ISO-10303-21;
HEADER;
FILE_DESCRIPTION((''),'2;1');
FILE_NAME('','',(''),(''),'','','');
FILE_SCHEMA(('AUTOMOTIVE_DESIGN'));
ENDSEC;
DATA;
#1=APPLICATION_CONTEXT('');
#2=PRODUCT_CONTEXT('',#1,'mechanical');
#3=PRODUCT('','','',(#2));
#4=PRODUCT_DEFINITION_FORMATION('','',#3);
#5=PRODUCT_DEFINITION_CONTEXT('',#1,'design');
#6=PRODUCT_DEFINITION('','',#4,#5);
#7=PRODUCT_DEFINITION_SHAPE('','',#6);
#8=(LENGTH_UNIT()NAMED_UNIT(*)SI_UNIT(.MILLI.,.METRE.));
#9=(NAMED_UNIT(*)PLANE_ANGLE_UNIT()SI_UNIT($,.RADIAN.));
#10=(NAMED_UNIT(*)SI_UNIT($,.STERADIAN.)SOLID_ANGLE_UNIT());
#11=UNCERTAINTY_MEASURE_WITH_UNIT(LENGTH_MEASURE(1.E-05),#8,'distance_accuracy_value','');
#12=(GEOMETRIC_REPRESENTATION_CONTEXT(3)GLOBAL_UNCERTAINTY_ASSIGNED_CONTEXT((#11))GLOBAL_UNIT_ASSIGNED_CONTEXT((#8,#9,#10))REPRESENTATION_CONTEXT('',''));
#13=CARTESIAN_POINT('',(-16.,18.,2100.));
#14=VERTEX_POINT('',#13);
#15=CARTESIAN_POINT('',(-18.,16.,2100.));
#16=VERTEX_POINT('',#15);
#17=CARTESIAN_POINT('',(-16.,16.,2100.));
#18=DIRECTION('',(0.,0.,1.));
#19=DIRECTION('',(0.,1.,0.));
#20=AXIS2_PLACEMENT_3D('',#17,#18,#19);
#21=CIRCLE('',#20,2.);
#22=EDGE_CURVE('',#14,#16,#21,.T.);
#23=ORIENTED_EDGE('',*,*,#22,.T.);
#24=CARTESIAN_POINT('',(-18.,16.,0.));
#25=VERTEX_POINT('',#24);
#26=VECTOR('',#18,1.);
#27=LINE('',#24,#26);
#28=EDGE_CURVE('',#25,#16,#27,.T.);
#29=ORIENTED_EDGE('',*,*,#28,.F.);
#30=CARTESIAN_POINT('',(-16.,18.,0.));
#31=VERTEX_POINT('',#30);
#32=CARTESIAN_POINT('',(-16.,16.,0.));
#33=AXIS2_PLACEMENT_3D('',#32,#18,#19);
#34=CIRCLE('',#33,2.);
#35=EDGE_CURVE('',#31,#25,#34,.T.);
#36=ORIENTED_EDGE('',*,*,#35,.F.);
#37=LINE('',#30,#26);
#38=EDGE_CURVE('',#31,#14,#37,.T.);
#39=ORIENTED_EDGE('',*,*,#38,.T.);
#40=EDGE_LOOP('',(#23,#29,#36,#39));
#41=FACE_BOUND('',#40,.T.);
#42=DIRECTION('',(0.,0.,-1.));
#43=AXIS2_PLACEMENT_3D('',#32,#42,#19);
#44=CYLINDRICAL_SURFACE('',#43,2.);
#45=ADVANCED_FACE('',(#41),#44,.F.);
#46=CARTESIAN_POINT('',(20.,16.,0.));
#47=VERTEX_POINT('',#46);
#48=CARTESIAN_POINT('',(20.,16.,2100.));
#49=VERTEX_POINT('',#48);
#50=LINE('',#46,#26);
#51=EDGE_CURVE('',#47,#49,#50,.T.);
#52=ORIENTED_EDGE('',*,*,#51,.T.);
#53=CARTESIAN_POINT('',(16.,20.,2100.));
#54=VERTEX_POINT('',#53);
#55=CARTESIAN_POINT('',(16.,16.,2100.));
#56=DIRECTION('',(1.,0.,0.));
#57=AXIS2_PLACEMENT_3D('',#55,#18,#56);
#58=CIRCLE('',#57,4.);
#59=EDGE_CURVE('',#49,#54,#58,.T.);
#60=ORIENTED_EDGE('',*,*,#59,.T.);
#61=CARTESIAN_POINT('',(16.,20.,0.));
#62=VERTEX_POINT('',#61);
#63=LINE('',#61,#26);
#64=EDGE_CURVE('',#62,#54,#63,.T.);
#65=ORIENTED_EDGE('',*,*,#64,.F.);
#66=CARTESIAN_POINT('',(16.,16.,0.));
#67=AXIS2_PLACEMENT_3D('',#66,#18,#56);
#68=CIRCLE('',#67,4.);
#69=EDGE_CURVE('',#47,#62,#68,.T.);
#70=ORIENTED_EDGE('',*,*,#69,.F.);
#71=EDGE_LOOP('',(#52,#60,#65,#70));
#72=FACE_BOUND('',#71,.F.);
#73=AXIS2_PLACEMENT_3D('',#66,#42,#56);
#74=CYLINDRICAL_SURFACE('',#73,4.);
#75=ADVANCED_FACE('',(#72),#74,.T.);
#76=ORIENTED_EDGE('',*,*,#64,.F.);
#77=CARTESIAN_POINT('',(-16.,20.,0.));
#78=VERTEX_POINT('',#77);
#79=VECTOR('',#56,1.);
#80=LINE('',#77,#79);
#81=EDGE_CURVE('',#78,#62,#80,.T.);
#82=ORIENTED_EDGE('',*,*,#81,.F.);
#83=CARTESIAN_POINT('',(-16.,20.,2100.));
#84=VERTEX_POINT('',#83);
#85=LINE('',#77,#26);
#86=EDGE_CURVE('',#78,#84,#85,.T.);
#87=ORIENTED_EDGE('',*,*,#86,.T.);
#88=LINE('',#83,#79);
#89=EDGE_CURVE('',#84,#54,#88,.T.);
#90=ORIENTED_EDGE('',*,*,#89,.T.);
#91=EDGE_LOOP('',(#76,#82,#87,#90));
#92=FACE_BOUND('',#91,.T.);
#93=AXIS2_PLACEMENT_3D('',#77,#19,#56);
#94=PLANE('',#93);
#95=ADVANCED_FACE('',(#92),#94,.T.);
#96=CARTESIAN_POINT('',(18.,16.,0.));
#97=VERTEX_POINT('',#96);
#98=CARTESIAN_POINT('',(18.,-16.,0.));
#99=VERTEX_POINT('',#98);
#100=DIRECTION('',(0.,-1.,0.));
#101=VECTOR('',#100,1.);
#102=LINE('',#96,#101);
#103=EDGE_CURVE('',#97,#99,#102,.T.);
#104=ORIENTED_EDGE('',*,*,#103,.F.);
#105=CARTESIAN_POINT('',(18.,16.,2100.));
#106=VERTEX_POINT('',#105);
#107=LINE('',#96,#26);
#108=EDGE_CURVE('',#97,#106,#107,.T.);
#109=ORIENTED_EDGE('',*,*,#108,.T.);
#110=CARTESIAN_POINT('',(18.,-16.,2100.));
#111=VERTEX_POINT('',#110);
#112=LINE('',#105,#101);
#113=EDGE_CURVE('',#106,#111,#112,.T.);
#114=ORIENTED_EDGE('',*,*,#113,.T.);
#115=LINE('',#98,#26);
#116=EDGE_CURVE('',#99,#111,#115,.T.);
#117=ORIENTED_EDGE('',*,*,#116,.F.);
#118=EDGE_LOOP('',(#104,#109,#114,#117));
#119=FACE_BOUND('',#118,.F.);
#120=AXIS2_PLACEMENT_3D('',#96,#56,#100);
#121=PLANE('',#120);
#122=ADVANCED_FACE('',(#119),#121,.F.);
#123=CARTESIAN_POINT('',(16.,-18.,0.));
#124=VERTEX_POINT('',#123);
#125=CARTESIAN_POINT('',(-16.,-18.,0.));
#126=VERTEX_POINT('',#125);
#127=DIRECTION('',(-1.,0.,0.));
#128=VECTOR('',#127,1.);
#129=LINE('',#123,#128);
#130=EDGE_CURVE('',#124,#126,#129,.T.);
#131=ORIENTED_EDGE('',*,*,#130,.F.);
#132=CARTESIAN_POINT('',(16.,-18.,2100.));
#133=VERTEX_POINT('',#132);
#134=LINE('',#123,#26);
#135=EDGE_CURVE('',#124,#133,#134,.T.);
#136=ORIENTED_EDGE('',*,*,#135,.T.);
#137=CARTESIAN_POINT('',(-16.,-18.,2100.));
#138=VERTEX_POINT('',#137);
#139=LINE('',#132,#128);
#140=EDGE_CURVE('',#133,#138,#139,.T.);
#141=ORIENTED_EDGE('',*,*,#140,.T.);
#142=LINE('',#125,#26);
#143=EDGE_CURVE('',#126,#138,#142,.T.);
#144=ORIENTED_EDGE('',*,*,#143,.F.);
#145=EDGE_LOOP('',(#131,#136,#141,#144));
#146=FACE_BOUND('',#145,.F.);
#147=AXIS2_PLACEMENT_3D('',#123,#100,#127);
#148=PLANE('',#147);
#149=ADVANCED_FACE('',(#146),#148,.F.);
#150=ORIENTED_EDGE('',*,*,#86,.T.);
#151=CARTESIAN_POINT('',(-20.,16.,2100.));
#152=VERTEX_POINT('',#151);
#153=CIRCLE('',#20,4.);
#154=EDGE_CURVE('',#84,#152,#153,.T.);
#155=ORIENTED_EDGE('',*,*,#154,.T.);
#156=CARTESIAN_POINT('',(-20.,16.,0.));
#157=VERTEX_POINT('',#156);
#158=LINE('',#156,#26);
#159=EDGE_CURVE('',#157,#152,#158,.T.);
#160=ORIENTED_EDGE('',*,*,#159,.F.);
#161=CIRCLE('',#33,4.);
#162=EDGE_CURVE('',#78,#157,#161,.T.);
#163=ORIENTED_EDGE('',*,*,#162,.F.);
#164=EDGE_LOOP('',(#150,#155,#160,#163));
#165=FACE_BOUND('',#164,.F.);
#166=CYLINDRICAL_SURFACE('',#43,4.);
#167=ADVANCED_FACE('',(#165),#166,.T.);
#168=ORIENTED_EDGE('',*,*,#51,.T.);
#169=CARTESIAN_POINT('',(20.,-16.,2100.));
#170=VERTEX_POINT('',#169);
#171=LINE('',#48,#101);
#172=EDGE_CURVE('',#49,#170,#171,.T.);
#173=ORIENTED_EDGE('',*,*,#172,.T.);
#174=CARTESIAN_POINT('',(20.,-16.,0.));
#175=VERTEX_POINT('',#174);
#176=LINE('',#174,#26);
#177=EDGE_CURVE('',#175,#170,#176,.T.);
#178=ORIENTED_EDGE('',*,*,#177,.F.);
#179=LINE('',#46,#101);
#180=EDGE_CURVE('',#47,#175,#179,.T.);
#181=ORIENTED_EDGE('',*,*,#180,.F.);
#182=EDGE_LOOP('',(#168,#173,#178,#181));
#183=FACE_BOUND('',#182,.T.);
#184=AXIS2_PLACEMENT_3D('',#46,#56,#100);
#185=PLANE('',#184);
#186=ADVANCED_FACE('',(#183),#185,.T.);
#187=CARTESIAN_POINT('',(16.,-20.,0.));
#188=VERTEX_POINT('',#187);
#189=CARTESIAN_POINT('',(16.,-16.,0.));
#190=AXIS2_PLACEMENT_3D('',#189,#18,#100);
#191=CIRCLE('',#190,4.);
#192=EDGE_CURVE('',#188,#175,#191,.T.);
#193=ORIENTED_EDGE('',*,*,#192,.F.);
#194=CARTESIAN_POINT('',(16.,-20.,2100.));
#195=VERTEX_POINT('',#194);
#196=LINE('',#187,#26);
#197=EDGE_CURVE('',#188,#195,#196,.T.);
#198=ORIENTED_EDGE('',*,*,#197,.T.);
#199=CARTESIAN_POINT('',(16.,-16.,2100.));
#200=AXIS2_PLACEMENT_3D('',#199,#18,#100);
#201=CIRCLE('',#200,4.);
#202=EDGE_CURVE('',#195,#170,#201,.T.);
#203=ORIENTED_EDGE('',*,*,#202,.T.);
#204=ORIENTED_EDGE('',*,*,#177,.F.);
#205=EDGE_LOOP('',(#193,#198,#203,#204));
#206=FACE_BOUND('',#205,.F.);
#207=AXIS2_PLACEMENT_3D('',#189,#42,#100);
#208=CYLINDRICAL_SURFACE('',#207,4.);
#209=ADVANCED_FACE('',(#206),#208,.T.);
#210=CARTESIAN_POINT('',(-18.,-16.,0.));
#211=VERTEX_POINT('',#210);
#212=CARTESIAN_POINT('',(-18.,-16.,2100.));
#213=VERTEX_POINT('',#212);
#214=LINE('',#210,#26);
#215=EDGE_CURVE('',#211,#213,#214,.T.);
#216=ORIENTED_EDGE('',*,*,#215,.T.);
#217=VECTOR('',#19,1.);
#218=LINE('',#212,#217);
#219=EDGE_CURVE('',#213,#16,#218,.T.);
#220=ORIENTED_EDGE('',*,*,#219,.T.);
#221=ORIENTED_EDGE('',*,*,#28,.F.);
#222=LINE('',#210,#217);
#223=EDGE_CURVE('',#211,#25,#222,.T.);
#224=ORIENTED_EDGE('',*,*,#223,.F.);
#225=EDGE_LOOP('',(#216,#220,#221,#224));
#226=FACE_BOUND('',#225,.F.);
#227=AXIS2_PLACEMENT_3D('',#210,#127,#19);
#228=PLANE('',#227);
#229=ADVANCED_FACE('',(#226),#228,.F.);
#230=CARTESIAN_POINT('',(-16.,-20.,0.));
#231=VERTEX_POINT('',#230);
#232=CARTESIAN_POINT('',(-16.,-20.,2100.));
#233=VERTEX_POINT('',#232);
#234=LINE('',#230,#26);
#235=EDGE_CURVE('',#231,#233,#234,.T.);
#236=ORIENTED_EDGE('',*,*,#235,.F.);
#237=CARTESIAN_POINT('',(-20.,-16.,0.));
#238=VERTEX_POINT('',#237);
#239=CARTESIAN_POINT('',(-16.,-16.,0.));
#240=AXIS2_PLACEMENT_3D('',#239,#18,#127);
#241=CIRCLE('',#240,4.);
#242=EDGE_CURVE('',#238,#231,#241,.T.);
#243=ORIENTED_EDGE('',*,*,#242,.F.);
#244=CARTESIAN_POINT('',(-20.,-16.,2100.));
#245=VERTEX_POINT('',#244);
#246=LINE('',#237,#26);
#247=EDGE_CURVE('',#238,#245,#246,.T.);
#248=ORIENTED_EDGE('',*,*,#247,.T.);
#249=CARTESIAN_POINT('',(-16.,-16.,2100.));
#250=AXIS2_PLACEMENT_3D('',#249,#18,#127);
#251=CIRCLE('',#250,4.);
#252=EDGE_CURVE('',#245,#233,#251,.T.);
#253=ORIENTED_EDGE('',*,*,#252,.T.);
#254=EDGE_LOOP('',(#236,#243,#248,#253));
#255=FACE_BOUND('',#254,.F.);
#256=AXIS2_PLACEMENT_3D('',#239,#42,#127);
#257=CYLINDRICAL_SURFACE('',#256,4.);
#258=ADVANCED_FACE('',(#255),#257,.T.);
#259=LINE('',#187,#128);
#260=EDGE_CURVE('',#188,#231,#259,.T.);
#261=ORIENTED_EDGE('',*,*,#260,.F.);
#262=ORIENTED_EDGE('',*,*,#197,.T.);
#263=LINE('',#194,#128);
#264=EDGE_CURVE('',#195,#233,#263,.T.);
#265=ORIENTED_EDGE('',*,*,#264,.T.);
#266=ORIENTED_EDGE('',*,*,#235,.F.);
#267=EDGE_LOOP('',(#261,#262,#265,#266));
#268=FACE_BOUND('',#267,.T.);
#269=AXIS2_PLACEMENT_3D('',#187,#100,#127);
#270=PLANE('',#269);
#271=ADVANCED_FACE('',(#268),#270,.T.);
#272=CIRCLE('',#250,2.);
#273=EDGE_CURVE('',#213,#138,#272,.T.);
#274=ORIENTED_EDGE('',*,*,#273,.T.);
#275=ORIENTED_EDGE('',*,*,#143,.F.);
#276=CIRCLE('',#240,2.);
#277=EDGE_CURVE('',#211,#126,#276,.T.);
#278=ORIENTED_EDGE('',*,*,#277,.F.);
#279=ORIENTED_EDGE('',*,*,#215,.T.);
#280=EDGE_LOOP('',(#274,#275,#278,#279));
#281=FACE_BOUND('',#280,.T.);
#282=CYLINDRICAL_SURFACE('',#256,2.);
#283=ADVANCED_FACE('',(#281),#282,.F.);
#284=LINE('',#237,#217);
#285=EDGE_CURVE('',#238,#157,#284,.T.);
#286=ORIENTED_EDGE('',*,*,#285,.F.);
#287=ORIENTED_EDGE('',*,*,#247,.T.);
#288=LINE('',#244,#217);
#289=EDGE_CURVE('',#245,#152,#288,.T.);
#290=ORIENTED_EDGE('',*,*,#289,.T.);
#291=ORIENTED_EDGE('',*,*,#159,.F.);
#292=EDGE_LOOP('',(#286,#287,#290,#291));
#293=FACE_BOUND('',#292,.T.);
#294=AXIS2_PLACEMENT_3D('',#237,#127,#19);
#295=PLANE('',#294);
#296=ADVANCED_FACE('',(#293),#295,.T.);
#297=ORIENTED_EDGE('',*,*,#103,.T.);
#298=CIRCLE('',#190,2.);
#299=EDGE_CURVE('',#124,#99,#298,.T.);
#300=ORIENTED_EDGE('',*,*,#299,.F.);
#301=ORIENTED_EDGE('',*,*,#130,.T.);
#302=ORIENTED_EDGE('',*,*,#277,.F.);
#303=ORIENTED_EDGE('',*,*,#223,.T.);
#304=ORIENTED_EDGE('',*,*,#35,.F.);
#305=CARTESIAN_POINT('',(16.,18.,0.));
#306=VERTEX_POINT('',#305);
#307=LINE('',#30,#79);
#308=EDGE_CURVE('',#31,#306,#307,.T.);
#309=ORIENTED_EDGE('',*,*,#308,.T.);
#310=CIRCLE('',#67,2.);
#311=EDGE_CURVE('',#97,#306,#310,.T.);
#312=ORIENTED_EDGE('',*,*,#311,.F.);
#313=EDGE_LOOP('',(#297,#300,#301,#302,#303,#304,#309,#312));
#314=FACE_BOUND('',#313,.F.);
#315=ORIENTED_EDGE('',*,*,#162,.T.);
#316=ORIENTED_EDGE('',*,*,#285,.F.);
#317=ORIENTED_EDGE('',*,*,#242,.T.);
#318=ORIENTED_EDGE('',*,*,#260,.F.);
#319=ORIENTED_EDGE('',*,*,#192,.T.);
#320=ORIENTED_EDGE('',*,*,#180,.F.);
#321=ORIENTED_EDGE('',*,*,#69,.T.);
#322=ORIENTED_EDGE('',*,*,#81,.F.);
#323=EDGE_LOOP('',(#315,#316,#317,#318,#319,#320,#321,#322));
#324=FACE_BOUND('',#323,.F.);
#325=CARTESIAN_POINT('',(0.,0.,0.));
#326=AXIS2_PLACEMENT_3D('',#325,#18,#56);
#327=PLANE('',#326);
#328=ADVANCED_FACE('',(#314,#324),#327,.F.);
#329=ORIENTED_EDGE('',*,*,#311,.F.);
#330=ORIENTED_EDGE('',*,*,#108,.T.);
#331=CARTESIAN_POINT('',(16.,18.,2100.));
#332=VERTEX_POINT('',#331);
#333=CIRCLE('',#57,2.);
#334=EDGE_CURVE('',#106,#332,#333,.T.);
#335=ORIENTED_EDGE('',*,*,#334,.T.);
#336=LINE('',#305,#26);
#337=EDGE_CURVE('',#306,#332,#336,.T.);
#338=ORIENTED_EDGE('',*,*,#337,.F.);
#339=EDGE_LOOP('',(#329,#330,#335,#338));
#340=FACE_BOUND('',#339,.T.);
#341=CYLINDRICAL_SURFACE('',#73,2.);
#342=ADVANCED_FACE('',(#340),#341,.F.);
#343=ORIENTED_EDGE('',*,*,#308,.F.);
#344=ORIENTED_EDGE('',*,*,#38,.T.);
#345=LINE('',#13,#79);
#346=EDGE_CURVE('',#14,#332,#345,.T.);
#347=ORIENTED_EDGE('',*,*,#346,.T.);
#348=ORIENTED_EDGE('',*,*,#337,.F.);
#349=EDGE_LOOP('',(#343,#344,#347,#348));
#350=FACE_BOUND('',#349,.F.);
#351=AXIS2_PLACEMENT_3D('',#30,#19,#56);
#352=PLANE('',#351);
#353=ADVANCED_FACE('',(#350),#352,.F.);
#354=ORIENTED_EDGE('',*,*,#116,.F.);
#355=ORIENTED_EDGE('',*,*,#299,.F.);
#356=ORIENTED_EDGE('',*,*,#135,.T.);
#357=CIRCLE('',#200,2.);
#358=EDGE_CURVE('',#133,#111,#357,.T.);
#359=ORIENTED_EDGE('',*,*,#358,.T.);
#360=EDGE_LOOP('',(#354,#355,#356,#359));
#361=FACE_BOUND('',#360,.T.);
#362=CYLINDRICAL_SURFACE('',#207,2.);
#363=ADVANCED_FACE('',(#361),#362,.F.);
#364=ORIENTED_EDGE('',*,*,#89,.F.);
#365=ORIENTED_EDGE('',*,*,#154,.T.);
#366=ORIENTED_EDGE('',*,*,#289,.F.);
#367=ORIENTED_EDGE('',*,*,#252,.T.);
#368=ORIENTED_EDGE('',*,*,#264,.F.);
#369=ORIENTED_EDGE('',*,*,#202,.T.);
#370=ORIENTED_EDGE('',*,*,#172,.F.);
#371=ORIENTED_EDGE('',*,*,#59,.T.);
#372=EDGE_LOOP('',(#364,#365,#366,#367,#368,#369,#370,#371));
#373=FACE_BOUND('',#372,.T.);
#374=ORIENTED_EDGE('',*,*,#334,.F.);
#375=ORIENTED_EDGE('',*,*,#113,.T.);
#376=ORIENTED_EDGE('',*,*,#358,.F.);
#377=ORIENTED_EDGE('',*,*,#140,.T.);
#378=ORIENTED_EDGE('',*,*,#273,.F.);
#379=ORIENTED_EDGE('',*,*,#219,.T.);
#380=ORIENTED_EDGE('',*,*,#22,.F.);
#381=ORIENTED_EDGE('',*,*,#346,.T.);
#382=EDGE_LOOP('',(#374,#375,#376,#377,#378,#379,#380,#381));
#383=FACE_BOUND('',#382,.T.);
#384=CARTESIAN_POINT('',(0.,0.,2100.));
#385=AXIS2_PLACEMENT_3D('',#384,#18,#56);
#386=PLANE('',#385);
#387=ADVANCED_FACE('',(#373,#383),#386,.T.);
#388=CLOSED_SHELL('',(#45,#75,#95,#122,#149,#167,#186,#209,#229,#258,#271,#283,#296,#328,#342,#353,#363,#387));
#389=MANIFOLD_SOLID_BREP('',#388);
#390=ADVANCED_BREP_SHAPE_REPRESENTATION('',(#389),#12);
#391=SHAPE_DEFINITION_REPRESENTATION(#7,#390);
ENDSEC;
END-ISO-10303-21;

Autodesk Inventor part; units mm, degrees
ref_plane "YZ Plane" through (0, 0, 0) normal (1, 0, 0) x (0, 1, 0)
ref_plane "Start Plane" through (0, 0, 0) normal (0, 0, 1) x (1, 0, 0)
ref_plane "End Plane" through (0, 0, 2100) normal (0, 0, 1) x (1, 0, 0)
sketch "Sketch" plane through (0, 0, 0) normal (0, 0, 1) x (1, 0, 0)
  line L0 (-20, -16) -> (-20, 16)
  line L1 (-16, 20) -> (16, 20)
  line L2 (20, 16) -> (20, -16)
  line L3 (16, -20) -> (-16, -20)
  arc A0 (-20, -16) -> (-16, -20) centre (-16, -16) ccw
  arc A1 (20, 16) -> (16, 20) centre (16, 16) ccw
  arc A2 (-16, 20) -> (-20, 16) centre (-16, 16) ccw
  arc A3 (16, -20) -> (20, -16) centre (16, -16) ccw
  arc A4 (-16, 18) -> (-18, 16) centre (-16, 16) ccw
  line L4 (-16, 18) -> (16, 18)
  arc A5 (18, 16) -> (16, 18) centre (16, 16) ccw
  line L5 (18, 16) -> (18, -16)
  arc A6 (16, -18) -> (18, -16) centre (16, -16) ccw
  line L6 (16, -18) -> (-16, -18)
  arc A7 (-18, -16) -> (-16, -18) centre (-16, -16) ccw
  line L7 (-18, -16) -> (-18, 16)
  line L8 (0, 29.1598) -> (0, -29.1598) construction
  line L9 (-29.1598, 0) -> (29.1598, 0) construction
  dimension "d7" = 4
  dimension "d9" = 40
  dimension "d11" = 40
  dimension "d12" = 2
  dimension "d15" = 20
  dimension "d16" = 20
extrude "Body" add sketch "Sketch" along normal up to surface (2100 mm away) from surface at 0
sketch "Sketch3" plane through (0, 0, 0) normal (0, 0, 1) x (1, 0, 0)
  line L0 (0, 0) -> (10, 0)
ref_plane "Work Plane3" through (0, 0, 0) normal (0, -1, 0) x (1, 0, 0)
sketch "Sketch4" plane through (0, 0, 0) normal (0, -1, 0) x (1, 0, 0)
  line L0 (-2, 0) -> (12, 0) projected
  line L1 (-2, 2100) -> (12, 2100) projected
  dimension "d18" = 2100
equation "\"d7\" = G_IR"
equation "\"d9\" = G_W"
equation "\"d11\" = G_H"
equation "\"d12\" = G_T"
equation "\"d15\" = 0.5 * d9"
equation "\"d16\" = 0.5 * d11"
equation "\"d3\" = G_L"
equation "\"G_W\" = 40"
equation "\"G_H\" = 40"
equation "\"G_T\" = 2"
equation "\"G_IR\" = 4"
equation "\"G_L\" = d18"
equation "\"G_OFFSET_START\" = 0"
equation "\"G_OFFSET_END\" = 0"
properties part number "ISO 10799-2 - 40x40x2 - 2100" material "Steel, Mild"
